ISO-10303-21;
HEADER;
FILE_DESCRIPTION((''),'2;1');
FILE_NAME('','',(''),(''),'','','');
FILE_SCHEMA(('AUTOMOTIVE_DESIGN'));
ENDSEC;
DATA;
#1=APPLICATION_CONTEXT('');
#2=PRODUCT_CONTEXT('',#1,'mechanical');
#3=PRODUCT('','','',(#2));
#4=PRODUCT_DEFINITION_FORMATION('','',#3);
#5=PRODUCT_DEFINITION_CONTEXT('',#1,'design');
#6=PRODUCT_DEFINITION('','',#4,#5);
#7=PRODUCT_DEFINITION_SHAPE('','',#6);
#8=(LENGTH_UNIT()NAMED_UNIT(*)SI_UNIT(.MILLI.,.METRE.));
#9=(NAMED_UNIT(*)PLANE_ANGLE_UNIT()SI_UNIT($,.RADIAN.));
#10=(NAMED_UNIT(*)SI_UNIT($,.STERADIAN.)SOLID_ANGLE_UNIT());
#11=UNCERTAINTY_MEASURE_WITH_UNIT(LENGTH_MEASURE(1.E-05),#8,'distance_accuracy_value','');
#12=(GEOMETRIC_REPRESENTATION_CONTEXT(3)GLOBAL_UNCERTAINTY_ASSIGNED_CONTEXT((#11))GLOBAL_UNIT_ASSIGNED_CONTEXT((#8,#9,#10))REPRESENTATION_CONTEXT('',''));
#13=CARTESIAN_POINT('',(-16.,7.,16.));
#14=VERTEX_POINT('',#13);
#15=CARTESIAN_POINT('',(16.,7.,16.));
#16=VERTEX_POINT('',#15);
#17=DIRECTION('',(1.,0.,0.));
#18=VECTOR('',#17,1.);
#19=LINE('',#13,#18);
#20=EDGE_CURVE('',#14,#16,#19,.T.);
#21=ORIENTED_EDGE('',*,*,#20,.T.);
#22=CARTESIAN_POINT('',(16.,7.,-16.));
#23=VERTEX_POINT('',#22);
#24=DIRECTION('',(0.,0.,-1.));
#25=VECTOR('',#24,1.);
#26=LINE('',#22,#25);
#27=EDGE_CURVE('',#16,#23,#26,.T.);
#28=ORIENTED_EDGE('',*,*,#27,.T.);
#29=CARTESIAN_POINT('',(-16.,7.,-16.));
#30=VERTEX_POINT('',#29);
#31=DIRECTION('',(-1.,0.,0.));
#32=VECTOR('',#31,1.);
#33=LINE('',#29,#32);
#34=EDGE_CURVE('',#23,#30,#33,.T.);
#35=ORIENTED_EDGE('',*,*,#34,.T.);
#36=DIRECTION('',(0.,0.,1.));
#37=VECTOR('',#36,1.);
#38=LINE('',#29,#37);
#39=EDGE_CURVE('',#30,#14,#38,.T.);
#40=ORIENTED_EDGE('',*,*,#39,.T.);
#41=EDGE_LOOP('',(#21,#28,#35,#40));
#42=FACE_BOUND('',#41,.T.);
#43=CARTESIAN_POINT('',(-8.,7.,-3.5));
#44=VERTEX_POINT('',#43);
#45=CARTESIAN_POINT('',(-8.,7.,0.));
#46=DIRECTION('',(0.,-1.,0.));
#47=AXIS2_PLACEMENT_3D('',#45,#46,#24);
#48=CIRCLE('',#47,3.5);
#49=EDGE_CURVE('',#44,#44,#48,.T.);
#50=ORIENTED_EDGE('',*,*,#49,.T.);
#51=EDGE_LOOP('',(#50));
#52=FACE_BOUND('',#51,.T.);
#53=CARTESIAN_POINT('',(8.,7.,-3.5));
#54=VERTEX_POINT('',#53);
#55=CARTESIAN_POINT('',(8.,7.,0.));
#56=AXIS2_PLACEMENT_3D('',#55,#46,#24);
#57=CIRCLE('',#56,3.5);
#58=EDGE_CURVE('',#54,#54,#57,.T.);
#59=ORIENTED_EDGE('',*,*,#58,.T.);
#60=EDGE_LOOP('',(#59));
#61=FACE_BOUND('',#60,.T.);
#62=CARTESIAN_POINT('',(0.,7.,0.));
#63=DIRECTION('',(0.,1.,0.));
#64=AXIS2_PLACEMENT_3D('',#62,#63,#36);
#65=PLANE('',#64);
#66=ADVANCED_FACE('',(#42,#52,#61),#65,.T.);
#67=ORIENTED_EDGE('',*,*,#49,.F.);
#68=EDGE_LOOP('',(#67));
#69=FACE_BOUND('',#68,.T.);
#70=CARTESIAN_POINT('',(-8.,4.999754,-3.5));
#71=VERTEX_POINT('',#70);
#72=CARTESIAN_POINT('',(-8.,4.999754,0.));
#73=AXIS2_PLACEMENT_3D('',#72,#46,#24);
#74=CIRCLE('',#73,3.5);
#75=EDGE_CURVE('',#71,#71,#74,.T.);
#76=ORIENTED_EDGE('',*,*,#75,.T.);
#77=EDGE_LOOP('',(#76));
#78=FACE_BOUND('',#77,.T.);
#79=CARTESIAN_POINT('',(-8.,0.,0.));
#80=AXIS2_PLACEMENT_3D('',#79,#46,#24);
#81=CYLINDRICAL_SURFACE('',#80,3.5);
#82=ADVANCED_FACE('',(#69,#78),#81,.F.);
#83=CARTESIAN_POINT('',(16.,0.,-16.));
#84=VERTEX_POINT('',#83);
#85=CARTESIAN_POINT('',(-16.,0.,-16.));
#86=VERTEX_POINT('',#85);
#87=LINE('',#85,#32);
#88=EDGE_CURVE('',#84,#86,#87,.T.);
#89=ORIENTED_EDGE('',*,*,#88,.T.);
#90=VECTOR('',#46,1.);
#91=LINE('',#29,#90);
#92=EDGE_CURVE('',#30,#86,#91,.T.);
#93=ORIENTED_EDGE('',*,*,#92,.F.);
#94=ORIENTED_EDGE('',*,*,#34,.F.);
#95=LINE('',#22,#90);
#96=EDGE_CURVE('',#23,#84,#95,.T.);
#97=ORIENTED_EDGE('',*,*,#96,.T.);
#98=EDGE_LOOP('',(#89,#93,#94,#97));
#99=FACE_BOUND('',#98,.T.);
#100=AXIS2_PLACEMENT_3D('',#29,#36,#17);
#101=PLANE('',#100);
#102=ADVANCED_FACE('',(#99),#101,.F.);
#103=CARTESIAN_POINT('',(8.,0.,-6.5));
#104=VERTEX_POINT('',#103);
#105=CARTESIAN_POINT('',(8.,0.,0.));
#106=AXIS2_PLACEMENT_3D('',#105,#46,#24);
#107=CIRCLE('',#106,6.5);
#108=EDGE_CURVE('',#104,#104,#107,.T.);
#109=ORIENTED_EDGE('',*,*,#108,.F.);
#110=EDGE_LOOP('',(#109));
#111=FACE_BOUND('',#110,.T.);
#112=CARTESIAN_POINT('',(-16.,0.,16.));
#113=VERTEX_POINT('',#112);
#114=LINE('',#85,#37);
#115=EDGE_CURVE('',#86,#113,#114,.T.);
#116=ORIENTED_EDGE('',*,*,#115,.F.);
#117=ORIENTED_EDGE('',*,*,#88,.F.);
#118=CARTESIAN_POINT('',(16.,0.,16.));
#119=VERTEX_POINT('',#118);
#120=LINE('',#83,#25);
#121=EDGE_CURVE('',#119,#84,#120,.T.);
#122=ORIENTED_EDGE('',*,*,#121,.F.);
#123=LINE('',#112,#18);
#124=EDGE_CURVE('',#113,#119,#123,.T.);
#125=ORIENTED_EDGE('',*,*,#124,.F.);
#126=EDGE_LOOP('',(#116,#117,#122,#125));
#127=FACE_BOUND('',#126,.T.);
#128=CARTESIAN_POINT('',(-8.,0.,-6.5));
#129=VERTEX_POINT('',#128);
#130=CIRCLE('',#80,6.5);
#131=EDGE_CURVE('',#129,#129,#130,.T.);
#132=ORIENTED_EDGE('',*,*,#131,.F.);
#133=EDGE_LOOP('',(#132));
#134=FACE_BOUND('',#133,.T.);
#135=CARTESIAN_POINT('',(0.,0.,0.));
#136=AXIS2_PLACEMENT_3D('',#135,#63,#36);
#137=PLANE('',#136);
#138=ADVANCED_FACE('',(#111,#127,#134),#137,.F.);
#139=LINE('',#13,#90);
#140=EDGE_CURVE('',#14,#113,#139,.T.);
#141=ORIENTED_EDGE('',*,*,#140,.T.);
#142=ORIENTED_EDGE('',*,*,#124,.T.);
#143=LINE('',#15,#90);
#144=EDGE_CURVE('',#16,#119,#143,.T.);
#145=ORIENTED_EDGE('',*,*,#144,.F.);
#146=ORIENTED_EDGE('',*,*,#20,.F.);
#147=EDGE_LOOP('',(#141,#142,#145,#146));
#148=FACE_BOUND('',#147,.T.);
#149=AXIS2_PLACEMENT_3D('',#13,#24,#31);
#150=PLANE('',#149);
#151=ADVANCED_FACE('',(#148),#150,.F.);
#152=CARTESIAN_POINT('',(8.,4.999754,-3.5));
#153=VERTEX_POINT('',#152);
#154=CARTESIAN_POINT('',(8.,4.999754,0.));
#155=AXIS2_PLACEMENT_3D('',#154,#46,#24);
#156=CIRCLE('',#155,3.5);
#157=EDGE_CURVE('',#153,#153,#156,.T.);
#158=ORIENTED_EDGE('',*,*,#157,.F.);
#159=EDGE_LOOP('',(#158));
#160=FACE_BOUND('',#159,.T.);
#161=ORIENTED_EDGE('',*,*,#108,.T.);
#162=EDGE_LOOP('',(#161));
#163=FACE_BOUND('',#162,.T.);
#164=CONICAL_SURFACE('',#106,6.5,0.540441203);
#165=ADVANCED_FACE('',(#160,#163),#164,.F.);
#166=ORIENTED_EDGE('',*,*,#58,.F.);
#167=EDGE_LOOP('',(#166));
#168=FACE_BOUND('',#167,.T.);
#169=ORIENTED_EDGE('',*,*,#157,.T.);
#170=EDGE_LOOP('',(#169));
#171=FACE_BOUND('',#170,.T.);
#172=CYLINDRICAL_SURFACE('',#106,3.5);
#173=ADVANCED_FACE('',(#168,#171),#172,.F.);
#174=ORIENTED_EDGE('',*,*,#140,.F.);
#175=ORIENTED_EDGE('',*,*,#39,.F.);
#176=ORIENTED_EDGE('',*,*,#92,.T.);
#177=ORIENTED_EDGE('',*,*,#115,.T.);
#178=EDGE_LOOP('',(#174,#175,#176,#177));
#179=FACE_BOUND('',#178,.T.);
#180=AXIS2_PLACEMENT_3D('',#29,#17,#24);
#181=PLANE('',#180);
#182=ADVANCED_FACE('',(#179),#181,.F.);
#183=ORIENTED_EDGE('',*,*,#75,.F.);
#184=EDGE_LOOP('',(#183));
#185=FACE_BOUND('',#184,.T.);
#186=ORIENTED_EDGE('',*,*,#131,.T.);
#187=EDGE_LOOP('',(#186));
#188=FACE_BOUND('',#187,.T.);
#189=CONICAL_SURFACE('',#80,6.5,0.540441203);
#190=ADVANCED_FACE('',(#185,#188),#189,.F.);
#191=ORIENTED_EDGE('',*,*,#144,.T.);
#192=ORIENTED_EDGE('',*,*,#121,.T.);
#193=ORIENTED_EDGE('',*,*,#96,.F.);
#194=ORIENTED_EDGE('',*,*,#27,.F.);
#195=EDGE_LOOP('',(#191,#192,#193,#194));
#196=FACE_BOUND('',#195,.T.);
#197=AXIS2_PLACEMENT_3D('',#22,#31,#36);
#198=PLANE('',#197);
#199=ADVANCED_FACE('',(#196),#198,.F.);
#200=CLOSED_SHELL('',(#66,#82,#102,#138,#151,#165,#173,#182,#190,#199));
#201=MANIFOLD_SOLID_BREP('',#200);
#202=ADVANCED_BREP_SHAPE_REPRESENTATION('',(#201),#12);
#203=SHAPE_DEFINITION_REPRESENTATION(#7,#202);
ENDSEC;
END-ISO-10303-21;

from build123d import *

# Parameters (mm, degrees)
SKETCH1_W           = 32
SKETCH1_H           = 32
BOSS_EXTRUDE1_DEPTH = 7
LPATTERN2_COUNT     = 2
LPATTERN2_PITCH     = 16


with BuildPart() as part:
    # Sketch1 → Boss-Extrude1 (new body)
    with BuildSketch(Plane(origin=(0, 0, 0), x_dir=(1, 0, 0), z_dir=(0, 1, 0))):
        Rectangle(SKETCH1_W, SKETCH1_H)
    extrude(amount=BOSS_EXTRUDE1_DEPTH)

    # Sketch3 → CSK for M1.6 Countersunk Flat Head Screw1 (revolve, cut)
    with BuildSketch(Plane(origin=(8, 0, 0), x_dir=(0, 0, -1), z_dir=(1, 0, 0))):
        Polygon((0, 0), (0, 7), (3.5, 7), (3.5, 4.999754046), (6.5, 0), align=None)
    csk_for_m1_6_countersunk_flat_head_screw = revolve(axis=Axis((8, -6.35, 0), (0, 1, 0)), mode=Mode.SUBTRACT)

    # LPattern2: CSK for M1.6 Countersunk Flat Head Screw1 ×2
    with Locations(*[(-i * LPATTERN2_PITCH, 0, 0) for i in range(1, LPATTERN2_COUNT)]):
        add(csk_for_m1_6_countersunk_flat_head_screw, mode=Mode.SUBTRACT)


solid = part.part
